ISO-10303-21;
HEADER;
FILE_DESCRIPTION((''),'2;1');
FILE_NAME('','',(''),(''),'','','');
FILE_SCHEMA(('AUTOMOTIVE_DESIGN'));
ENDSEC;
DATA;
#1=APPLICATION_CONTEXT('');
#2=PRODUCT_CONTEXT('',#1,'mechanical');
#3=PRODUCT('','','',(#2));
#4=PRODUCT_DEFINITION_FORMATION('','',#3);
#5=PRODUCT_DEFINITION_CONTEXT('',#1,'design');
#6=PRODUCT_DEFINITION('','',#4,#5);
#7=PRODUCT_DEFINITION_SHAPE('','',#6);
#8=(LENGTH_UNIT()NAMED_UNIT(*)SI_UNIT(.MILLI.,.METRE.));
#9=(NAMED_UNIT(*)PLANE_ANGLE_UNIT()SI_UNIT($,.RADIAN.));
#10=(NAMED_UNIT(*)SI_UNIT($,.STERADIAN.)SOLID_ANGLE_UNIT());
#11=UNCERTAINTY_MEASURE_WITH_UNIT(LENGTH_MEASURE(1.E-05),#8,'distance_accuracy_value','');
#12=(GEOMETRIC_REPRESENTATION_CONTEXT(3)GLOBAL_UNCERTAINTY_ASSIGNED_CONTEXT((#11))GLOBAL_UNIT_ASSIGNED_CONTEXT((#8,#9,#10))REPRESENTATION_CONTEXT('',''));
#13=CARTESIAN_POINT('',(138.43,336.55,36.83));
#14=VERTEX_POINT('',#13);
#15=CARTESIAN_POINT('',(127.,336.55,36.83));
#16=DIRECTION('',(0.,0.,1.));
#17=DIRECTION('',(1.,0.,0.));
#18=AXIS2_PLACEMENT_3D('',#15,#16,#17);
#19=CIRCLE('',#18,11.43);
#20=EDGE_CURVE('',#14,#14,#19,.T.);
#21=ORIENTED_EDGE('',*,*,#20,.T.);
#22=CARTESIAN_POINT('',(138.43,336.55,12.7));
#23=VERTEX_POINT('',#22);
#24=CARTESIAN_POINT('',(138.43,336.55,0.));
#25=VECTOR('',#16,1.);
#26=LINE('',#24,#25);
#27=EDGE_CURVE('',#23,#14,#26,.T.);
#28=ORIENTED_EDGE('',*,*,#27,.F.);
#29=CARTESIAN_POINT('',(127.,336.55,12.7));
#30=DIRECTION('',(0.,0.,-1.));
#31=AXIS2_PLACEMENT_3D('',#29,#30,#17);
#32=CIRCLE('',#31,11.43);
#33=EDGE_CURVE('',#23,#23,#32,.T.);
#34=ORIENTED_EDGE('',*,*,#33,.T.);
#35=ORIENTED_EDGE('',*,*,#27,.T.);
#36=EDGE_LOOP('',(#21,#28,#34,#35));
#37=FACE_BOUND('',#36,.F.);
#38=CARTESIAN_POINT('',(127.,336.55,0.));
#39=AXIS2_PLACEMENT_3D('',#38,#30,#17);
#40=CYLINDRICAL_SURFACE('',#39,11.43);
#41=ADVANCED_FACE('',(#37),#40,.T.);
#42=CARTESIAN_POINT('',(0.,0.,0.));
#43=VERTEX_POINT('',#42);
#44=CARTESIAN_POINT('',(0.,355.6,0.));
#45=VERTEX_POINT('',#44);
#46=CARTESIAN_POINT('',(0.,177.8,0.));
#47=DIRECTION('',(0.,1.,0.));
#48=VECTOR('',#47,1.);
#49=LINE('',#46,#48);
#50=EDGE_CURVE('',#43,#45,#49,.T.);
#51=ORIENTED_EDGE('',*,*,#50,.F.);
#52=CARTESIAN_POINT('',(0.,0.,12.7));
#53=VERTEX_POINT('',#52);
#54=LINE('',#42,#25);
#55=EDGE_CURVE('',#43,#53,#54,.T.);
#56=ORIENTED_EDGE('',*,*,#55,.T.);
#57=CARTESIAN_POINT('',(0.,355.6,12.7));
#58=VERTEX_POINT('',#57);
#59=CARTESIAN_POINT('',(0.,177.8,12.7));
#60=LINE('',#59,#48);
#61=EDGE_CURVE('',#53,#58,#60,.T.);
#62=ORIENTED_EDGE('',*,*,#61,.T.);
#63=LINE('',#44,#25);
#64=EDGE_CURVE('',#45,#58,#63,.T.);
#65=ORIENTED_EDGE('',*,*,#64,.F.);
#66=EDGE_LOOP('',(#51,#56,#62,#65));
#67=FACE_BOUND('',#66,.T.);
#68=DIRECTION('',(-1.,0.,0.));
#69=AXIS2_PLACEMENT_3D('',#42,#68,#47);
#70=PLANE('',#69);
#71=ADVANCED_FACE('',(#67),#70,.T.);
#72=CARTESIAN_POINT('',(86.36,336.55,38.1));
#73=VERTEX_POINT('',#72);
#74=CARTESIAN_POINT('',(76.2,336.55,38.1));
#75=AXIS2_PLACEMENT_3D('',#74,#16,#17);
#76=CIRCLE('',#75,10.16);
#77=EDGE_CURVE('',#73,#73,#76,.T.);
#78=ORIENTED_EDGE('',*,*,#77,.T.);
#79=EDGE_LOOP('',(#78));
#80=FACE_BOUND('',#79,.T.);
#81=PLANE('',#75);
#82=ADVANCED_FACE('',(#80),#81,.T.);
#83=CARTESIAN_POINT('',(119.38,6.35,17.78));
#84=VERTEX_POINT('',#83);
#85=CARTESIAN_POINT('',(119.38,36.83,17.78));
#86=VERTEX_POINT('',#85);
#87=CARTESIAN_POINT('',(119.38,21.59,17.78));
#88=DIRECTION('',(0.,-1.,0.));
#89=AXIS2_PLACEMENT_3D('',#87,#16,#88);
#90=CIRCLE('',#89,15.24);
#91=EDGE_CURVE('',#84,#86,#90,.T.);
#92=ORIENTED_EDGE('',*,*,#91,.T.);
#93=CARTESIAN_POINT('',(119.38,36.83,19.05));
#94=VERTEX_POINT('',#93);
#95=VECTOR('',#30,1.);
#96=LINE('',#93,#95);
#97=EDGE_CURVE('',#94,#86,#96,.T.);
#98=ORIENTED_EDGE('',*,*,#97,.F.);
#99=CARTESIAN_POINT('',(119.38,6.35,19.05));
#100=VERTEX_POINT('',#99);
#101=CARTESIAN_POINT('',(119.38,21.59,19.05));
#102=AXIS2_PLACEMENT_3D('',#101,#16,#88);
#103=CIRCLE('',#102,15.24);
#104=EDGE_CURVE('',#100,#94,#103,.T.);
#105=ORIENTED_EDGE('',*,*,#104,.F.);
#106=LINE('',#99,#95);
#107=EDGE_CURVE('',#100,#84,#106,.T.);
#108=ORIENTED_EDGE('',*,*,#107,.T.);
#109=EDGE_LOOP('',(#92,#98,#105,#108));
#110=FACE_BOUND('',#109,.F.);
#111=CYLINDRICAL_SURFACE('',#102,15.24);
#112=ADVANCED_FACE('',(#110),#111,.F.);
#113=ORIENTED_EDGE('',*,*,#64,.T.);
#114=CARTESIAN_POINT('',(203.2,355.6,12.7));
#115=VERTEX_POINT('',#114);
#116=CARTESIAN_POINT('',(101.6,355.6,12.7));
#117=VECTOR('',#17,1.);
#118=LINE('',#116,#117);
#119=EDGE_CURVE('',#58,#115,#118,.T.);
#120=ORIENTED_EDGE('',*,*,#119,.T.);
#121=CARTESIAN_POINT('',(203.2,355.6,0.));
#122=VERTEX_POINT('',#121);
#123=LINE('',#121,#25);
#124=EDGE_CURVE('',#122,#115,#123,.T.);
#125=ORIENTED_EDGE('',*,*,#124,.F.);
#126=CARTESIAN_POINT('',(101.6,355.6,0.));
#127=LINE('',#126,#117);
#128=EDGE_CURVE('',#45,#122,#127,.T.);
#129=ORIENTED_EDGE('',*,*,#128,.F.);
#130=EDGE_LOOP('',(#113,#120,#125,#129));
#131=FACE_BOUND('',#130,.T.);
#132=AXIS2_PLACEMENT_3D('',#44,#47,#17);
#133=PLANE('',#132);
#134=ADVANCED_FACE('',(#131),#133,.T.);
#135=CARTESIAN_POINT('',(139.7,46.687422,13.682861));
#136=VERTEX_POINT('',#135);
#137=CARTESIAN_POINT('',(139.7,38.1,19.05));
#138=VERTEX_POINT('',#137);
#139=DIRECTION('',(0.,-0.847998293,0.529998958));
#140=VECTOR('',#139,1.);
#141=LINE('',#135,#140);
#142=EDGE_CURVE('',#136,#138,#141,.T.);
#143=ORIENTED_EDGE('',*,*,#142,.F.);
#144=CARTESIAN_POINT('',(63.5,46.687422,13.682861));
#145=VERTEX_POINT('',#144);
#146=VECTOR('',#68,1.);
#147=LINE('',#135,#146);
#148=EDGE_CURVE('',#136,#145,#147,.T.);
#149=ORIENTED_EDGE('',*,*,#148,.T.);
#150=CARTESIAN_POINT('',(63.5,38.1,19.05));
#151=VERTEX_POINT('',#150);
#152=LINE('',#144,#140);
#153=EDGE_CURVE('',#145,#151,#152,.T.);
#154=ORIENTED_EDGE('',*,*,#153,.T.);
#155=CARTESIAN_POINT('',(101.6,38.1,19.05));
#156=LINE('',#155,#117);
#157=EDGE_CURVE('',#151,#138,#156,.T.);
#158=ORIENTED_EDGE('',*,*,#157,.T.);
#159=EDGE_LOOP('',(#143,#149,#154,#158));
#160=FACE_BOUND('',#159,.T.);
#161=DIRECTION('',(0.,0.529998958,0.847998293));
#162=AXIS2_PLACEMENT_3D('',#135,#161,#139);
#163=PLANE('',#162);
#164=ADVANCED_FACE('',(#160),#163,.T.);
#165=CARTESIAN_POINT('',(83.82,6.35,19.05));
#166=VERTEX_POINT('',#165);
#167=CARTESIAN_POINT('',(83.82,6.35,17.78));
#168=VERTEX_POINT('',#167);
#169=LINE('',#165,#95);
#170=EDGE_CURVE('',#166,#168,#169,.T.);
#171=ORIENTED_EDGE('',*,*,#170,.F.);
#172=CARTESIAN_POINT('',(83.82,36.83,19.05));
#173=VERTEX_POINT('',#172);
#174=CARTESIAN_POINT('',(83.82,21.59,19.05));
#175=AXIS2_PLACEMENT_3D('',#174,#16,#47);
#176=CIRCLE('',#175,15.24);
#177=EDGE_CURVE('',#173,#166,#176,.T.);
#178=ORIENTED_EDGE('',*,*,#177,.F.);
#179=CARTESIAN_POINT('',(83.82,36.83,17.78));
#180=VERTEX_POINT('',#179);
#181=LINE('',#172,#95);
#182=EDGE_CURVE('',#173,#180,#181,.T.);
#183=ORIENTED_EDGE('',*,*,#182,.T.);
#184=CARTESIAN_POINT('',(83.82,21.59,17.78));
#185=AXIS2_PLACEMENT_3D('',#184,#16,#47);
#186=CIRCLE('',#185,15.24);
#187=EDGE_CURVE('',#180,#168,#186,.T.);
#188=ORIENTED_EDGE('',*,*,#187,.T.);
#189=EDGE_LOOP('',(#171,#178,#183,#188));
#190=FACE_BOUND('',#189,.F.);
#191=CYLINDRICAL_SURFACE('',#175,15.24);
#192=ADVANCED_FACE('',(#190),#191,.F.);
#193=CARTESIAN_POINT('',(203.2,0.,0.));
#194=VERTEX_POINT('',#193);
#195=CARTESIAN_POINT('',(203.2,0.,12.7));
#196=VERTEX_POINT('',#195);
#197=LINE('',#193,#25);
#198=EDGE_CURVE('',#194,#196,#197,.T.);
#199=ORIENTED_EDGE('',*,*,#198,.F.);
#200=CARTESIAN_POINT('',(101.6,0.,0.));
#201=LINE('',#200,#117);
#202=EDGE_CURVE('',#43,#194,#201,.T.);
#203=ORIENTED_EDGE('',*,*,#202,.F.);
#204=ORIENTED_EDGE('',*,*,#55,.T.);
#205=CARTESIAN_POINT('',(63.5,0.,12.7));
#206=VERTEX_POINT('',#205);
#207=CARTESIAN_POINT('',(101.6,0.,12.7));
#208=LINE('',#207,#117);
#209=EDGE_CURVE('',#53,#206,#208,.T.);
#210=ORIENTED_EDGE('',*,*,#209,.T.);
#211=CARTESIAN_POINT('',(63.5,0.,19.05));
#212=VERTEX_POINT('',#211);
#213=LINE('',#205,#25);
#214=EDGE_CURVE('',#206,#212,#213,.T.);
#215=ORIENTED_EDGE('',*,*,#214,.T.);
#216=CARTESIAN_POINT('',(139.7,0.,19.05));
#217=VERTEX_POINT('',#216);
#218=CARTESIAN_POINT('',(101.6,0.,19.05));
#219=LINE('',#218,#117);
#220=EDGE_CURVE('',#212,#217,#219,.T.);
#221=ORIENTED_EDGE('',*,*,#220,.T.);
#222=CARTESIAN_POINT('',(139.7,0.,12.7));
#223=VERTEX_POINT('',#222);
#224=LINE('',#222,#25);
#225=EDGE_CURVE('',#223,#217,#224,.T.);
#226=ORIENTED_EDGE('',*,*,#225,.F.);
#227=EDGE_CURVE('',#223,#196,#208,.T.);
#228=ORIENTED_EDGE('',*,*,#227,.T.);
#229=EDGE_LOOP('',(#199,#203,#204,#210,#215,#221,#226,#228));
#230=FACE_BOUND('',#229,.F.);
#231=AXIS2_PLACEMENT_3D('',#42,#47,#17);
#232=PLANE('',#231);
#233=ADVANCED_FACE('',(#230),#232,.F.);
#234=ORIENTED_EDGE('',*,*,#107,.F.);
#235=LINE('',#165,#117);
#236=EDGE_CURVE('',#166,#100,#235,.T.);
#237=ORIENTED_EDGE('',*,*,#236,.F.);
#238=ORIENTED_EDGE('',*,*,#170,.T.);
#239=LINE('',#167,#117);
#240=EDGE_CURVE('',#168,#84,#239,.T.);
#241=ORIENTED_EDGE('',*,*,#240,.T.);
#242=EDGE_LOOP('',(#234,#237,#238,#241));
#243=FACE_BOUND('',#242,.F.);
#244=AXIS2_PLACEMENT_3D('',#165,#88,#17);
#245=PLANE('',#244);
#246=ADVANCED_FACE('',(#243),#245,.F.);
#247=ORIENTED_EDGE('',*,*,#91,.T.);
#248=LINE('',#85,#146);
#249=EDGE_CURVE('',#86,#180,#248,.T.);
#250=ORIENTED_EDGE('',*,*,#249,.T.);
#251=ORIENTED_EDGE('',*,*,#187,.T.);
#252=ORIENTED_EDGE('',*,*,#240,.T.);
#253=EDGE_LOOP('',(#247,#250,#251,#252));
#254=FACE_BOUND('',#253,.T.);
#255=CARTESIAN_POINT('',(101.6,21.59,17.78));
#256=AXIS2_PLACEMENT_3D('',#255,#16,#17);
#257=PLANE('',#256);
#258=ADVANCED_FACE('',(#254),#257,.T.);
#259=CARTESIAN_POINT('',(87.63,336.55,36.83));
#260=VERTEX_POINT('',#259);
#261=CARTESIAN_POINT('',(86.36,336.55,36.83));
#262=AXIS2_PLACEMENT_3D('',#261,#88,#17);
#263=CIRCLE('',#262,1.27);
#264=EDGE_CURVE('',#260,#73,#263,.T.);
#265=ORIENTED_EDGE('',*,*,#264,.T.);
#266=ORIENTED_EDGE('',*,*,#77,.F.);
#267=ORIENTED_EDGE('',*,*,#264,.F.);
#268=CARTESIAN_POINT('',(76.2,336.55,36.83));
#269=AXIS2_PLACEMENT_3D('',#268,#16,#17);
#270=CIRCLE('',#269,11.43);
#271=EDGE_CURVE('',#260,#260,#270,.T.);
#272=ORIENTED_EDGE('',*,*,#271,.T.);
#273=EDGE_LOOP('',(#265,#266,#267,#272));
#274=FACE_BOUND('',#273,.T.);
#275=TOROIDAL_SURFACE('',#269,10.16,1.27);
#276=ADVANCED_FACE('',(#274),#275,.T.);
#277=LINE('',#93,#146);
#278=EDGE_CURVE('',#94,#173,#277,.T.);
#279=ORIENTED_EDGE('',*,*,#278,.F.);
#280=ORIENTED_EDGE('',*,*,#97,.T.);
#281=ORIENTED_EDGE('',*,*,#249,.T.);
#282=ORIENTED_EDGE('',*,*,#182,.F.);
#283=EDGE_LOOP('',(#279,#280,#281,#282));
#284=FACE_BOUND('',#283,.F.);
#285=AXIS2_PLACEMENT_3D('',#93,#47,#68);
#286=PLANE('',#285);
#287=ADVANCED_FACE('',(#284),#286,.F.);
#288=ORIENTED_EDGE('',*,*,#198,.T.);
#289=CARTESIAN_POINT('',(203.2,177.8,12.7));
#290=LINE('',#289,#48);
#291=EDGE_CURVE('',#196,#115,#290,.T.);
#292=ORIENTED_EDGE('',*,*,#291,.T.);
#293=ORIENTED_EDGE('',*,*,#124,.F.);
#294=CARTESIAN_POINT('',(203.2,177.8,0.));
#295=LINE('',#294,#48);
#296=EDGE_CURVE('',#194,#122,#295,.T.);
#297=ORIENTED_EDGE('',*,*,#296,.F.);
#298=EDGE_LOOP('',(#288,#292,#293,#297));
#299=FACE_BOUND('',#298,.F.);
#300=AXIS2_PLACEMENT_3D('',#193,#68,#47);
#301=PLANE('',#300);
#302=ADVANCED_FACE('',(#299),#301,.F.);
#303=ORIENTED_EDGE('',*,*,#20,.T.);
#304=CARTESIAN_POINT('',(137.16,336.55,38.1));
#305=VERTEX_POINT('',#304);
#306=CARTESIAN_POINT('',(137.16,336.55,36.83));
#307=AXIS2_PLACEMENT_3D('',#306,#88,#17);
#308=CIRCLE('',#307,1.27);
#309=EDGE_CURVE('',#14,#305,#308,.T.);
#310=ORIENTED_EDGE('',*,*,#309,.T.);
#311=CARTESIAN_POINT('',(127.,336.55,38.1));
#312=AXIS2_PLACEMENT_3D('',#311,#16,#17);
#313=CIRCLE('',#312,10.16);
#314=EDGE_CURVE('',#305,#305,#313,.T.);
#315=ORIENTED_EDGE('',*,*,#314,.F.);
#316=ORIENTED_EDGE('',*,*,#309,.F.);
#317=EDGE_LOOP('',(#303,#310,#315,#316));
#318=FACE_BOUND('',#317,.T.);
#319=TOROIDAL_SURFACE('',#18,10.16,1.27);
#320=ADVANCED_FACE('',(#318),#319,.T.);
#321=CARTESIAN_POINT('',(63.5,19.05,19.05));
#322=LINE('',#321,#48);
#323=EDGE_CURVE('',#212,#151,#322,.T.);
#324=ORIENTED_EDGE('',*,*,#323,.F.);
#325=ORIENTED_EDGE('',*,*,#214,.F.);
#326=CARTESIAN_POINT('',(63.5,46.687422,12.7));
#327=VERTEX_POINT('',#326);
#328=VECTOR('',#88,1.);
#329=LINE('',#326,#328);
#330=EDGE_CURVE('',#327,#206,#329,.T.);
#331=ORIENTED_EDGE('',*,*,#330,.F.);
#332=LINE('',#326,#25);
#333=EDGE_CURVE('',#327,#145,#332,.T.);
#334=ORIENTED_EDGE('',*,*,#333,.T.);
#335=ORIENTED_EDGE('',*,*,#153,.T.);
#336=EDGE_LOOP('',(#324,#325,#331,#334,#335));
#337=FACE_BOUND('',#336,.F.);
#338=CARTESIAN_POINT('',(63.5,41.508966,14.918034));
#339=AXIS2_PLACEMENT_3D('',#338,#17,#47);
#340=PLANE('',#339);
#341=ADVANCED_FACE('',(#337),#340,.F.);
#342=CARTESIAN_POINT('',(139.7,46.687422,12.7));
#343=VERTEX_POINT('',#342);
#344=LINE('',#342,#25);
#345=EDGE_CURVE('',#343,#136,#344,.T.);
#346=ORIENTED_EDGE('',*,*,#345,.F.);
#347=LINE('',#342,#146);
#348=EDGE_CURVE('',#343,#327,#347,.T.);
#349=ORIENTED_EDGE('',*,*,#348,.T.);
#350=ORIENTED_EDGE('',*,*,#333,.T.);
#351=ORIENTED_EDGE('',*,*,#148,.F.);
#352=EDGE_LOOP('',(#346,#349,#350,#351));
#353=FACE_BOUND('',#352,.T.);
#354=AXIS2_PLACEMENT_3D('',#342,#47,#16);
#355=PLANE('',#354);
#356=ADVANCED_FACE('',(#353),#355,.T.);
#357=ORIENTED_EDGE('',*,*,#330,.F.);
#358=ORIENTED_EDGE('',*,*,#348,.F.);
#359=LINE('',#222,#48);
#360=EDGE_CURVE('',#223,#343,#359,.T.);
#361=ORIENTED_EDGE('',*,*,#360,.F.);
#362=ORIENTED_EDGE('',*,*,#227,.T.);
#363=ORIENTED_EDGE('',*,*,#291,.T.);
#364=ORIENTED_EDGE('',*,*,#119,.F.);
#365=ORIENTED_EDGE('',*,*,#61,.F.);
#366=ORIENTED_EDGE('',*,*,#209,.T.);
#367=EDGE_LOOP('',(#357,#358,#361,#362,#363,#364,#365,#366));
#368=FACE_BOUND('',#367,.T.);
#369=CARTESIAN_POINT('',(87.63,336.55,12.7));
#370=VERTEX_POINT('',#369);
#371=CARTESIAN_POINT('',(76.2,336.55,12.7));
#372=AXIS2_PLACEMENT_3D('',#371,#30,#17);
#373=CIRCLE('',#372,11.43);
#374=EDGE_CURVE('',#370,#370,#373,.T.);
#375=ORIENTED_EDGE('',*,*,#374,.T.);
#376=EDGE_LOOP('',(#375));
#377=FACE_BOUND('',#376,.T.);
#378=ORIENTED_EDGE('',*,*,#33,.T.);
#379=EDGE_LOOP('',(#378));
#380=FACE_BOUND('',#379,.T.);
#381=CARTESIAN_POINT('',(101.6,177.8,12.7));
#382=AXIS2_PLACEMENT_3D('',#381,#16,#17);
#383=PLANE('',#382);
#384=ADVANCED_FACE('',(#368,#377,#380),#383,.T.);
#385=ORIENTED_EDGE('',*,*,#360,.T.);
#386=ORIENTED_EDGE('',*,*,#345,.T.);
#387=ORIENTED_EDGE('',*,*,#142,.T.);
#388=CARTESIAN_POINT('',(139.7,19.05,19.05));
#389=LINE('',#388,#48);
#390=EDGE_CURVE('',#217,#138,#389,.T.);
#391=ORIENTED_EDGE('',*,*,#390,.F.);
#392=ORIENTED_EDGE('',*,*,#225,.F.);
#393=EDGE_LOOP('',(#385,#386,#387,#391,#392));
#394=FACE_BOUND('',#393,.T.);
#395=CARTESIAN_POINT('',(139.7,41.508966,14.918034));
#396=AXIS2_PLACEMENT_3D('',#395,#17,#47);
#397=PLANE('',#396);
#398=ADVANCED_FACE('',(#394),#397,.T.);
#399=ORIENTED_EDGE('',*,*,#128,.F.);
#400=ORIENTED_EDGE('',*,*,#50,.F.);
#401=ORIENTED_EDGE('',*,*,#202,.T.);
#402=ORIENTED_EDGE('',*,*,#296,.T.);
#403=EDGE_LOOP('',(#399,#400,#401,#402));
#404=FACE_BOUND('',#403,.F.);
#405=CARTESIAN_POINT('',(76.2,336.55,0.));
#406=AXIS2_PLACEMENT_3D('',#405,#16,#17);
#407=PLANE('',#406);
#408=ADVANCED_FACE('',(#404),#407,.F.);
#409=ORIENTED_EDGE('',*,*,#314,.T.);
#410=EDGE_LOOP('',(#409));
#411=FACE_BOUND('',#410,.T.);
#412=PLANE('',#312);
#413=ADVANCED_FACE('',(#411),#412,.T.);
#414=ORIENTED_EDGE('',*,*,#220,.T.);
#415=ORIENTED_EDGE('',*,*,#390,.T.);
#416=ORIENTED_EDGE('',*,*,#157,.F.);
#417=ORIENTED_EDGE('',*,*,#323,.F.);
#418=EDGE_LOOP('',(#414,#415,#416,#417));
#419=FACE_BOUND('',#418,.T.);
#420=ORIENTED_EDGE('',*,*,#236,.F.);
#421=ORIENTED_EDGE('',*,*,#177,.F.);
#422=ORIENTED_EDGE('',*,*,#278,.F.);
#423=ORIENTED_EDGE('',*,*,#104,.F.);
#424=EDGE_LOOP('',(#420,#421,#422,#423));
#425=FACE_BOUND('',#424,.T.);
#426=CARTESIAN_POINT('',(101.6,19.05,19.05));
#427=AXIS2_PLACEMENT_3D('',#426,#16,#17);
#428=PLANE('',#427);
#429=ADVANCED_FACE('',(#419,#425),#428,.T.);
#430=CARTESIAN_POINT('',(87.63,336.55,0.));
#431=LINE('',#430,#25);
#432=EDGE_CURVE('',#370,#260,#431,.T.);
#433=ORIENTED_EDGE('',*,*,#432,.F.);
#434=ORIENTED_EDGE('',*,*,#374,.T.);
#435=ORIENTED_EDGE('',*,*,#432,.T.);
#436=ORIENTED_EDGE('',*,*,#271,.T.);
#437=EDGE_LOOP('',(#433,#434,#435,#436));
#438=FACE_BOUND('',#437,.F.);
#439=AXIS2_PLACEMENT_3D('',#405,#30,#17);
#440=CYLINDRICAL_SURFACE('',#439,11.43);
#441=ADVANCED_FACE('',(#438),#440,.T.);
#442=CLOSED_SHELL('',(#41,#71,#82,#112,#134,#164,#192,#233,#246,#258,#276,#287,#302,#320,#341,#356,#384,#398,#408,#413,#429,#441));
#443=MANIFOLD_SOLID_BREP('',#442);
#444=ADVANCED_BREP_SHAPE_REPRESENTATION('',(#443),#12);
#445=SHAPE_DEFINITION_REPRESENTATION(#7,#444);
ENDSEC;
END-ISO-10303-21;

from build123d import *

# Parameters (mm, degrees)
F0_W     = 203.2
F0_H     = 355.6
F1_DEPTH = 12.7
F2_R     = 11.43
F3_DEPTH = 38.1
F4_W     = 76.2
F4_H     = 38.1
F5_DEPTH = 6.35
F7_DEPTH = 1.27
F9_DEPTH = 76.2
F10_R    = 1.27


with BuildPart() as f1:
    # F0 (on Top) → F1 (new body)
    with BuildSketch(Plane.XY):
        with Locations((101.6, 177.8)):
            Rectangle(F0_W, F0_H)
    extrude(amount=F1_DEPTH)

    # F2 (on face) → F3 (join)
    with BuildSketch(Plane.XY):
        with Locations((76.2, 336.55)):
            Circle(F2_R)
        with Locations((127, 336.55)):
            Circle(F2_R)
    extrude(amount=F3_DEPTH)

    # F4 (on face) → F5 (join)
    with BuildSketch(Plane.XY.offset(12.7)):
        with Locations((101.6, 19.05)):
            Rectangle(F4_W, F4_H)
    extrude(amount=F5_DEPTH)

    # F6 (on face) → F7 (cut)
    with BuildSketch(Plane.XY.offset(19.05)):
        with BuildLine():
            Line((119.38, 36.83), (83.82, 36.83))
            ThreePointArc((83.82, 36.83), (68.58, 21.59), (83.82, 6.35))
            Line((83.82, 6.35), (119.38, 6.35))
            ThreePointArc((119.38, 6.35), (134.62, 21.59), (119.38, 36.83))
        make_face()
    extrude(amount=-F7_DEPTH, mode=Mode.SUBTRACT)

    # F8 (on face) → F9 (join)
    with BuildSketch(Plane.YZ.offset(139.7)):
        Polygon((46.687422, 13.682861), (38.1, 19.05), (38.1, 12.7), (46.687422, 12.7), align=None)
    extrude(amount=-F9_DEPTH)

    # F10
    f10_edges = [f1.edges().sort_by_distance(p)[0] for p in [
        (64.77, 336.55, 38.1),
        (115.57, 336.55, 38.1),
    ]]
    fillet(f10_edges, radius=F10_R)


solid = f1.part
